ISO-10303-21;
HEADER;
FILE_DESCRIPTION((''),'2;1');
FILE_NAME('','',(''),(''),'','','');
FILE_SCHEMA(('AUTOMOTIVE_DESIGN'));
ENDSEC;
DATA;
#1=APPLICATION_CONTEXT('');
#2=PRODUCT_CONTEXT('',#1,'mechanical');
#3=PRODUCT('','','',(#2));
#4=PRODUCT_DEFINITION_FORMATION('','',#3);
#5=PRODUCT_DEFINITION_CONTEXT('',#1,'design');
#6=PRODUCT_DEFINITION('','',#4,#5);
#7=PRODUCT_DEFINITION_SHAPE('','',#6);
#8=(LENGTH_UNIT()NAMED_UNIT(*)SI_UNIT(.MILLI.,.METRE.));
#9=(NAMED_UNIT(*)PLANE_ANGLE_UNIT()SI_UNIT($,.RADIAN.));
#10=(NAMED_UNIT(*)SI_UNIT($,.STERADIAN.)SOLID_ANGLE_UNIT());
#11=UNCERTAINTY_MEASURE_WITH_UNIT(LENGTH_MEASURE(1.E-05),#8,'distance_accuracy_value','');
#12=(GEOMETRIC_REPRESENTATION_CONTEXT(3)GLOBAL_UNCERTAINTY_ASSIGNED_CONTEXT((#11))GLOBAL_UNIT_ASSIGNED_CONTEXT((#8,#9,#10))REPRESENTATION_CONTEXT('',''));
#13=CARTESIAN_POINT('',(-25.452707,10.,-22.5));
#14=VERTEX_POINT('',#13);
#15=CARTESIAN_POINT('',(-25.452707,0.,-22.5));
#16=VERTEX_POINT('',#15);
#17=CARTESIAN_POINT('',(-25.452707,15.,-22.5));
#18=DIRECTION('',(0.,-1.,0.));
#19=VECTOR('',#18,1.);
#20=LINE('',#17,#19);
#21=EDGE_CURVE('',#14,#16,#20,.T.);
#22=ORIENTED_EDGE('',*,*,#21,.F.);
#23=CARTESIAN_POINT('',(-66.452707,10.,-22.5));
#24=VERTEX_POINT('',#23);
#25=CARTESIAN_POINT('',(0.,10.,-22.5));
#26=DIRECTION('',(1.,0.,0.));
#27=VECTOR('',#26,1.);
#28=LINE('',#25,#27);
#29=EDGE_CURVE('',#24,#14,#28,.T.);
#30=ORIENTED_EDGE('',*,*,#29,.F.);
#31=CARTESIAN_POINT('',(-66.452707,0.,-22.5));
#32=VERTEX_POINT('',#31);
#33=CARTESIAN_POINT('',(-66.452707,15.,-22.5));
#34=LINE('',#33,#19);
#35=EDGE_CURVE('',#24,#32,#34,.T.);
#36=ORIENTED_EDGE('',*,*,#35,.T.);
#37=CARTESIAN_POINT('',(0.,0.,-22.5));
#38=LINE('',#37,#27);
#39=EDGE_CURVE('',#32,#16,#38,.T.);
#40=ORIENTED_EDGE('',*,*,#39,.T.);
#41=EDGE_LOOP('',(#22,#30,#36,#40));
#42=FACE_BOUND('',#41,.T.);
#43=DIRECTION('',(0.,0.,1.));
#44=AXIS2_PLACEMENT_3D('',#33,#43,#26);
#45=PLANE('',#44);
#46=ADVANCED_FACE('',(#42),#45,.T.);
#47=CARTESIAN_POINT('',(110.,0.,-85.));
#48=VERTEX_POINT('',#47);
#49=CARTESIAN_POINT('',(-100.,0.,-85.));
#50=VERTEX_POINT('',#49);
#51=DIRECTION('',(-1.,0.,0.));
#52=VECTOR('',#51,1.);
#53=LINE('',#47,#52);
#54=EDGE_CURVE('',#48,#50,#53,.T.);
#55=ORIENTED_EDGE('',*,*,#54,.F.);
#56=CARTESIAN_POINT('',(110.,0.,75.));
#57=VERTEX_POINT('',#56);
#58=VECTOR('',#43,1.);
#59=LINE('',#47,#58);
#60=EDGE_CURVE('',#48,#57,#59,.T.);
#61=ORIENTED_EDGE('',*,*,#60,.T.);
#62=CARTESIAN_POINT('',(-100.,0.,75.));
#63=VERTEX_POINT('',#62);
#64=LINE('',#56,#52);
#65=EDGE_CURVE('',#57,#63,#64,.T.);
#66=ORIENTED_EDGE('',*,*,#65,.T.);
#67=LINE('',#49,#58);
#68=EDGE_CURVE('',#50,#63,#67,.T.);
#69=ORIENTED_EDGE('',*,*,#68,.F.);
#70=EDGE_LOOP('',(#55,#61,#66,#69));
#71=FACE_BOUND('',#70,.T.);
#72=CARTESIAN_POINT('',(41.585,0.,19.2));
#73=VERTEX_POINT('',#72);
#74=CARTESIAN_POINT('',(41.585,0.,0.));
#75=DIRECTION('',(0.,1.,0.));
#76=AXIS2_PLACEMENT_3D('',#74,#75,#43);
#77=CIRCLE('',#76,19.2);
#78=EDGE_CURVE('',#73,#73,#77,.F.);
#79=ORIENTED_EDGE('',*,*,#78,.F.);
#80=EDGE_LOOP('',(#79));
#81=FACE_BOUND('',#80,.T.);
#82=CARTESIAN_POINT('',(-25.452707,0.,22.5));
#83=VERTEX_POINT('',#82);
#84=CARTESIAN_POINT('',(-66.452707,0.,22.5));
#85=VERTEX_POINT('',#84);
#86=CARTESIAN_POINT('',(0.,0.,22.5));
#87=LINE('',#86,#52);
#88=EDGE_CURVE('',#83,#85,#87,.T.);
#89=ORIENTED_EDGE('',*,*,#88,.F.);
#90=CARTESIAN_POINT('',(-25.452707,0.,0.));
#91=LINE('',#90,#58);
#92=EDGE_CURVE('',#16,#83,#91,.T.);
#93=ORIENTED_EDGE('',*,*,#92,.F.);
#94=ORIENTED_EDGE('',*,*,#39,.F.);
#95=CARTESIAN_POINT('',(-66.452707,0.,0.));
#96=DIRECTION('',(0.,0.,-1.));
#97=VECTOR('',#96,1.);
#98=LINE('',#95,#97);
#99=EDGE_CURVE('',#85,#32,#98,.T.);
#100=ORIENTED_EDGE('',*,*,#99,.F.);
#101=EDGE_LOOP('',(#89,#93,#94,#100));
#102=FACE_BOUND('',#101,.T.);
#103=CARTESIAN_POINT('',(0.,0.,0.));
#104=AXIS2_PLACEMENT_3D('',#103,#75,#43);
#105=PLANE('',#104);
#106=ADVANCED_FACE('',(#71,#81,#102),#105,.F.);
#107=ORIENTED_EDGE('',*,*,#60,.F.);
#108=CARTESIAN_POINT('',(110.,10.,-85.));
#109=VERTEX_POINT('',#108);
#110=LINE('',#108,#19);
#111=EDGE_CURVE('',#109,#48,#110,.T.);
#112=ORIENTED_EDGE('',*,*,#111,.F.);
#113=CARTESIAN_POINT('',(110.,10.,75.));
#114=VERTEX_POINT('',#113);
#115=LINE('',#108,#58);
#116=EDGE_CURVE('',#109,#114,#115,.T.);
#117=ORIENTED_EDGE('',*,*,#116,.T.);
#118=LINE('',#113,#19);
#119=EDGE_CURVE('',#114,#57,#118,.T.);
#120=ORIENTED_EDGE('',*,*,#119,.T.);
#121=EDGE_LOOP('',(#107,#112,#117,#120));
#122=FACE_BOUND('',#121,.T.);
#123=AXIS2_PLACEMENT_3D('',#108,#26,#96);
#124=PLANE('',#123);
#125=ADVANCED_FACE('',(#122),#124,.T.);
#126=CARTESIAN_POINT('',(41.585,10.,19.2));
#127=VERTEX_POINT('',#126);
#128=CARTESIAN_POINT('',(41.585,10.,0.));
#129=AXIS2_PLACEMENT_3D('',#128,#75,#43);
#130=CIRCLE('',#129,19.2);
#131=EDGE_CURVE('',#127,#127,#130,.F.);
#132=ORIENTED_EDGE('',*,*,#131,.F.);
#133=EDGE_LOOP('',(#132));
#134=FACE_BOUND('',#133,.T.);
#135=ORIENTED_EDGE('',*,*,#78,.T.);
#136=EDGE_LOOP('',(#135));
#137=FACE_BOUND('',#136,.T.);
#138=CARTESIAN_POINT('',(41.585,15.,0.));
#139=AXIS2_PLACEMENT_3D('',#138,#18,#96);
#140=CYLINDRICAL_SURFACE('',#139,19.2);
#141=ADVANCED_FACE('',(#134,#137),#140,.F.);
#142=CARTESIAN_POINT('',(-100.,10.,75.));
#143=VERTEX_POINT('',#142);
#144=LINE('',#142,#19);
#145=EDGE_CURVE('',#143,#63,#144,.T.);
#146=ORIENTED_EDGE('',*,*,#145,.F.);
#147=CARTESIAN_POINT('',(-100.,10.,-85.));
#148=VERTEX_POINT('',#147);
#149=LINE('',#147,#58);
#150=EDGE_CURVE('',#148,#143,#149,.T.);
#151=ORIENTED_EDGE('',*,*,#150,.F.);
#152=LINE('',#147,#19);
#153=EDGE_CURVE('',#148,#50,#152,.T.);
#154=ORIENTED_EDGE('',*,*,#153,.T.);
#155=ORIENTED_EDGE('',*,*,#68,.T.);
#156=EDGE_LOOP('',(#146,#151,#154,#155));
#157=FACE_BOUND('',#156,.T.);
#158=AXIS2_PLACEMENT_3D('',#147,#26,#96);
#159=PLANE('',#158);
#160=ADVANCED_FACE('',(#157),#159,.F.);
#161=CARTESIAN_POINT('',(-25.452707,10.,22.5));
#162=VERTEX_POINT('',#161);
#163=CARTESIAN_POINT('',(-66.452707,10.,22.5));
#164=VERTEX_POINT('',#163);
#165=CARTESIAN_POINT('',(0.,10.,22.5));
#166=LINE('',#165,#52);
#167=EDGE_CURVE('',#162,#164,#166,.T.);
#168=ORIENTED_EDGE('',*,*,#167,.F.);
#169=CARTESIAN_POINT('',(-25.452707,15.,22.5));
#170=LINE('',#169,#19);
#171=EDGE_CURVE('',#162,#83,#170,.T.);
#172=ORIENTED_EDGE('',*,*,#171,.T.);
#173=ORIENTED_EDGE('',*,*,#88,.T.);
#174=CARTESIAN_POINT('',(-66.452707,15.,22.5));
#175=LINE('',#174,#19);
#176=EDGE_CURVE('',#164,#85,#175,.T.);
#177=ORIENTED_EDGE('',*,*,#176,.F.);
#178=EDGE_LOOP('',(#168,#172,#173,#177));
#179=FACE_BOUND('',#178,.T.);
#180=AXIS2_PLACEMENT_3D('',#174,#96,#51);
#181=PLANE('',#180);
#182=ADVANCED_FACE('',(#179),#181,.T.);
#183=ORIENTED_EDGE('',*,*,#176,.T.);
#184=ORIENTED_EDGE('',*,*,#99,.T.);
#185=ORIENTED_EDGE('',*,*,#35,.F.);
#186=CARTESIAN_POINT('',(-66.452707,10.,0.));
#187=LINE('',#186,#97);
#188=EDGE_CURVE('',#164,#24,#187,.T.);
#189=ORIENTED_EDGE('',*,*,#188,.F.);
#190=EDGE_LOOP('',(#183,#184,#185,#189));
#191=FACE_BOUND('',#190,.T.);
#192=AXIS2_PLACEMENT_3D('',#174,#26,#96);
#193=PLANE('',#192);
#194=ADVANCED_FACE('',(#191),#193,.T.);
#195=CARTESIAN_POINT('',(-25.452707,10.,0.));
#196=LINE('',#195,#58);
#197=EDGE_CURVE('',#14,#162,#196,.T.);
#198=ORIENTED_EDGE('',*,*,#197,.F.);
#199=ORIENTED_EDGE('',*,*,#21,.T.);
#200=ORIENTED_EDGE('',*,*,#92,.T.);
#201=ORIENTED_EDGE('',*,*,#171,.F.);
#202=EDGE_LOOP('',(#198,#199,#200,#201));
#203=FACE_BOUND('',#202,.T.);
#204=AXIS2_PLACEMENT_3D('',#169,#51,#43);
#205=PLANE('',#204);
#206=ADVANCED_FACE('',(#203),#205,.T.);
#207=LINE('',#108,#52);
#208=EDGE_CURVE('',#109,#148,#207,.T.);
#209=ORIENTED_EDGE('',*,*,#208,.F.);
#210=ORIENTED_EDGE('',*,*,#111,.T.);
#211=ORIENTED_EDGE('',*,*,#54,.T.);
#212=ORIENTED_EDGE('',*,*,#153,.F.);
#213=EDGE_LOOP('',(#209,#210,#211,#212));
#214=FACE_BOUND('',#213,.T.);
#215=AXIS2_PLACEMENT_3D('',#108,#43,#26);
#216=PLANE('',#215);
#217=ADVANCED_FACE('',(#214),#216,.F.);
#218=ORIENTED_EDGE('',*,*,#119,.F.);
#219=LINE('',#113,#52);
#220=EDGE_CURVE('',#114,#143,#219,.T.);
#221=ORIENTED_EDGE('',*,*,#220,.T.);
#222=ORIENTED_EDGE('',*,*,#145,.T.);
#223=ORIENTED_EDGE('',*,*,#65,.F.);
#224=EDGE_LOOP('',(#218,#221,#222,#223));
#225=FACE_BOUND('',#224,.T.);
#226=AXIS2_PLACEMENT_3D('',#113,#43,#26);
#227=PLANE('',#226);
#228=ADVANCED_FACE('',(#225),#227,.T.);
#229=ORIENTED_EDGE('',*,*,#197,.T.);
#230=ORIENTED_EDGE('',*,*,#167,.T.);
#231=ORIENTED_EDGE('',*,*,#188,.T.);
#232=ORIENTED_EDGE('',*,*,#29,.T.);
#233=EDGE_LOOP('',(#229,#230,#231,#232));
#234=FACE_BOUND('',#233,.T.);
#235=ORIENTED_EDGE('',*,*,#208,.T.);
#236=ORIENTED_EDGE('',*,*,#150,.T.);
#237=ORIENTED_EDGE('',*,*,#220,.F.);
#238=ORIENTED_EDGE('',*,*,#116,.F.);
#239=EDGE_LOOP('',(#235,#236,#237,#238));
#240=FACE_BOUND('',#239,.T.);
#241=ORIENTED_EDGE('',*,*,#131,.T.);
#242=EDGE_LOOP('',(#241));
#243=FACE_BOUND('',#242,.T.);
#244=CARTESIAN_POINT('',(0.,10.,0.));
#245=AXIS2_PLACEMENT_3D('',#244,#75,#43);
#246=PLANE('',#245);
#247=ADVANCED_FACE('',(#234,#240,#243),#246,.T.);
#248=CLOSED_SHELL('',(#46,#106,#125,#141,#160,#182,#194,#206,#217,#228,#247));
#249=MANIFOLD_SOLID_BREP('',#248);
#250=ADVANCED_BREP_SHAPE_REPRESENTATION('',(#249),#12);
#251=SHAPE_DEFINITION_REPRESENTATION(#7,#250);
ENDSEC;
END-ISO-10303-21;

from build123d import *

# Parameters (mm, degrees)
SKETCH2_W               = 210
SKETCH2_H               = 160
BOSS_EXTRUDE1_DEPTH     = 10
SKETCH3_R               = 19.2
SKETCH3_W               = 41
SKETCH3_H               = 45
CUT_EXTRUDE2_DEPTH      = 15
CUT_EXTRUDE2_DEPTH_BACK = 22


with BuildPart() as part:
    # Sketch2 → Boss-Extrude1 (new body)
    with BuildSketch(Plane(origin=(0, 0, 0), x_dir=(1, 0, 0), z_dir=(0, 1, 0))):
        with Locations((5, 5)):
            Rectangle(SKETCH2_W, SKETCH2_H)
    extrude(amount=BOSS_EXTRUDE1_DEPTH)

    # Sketch3 → Cut-Extrude2 (cut, two sides)
    with BuildSketch(Plane(origin=(0, 0, 0), x_dir=(1, 0, 0), z_dir=(0, 1, 0))) as cut_extrude2_sk:
        with Locations((41.585, 0)):
            Circle(SKETCH3_R)
        with Locations((-45.952707493, 0)):
            Rectangle(SKETCH3_W, SKETCH3_H)
    extrude(amount=CUT_EXTRUDE2_DEPTH, mode=Mode.SUBTRACT)
    extrude(cut_extrude2_sk.sketch, amount=-CUT_EXTRUDE2_DEPTH_BACK, mode=Mode.SUBTRACT)


solid = part.part
